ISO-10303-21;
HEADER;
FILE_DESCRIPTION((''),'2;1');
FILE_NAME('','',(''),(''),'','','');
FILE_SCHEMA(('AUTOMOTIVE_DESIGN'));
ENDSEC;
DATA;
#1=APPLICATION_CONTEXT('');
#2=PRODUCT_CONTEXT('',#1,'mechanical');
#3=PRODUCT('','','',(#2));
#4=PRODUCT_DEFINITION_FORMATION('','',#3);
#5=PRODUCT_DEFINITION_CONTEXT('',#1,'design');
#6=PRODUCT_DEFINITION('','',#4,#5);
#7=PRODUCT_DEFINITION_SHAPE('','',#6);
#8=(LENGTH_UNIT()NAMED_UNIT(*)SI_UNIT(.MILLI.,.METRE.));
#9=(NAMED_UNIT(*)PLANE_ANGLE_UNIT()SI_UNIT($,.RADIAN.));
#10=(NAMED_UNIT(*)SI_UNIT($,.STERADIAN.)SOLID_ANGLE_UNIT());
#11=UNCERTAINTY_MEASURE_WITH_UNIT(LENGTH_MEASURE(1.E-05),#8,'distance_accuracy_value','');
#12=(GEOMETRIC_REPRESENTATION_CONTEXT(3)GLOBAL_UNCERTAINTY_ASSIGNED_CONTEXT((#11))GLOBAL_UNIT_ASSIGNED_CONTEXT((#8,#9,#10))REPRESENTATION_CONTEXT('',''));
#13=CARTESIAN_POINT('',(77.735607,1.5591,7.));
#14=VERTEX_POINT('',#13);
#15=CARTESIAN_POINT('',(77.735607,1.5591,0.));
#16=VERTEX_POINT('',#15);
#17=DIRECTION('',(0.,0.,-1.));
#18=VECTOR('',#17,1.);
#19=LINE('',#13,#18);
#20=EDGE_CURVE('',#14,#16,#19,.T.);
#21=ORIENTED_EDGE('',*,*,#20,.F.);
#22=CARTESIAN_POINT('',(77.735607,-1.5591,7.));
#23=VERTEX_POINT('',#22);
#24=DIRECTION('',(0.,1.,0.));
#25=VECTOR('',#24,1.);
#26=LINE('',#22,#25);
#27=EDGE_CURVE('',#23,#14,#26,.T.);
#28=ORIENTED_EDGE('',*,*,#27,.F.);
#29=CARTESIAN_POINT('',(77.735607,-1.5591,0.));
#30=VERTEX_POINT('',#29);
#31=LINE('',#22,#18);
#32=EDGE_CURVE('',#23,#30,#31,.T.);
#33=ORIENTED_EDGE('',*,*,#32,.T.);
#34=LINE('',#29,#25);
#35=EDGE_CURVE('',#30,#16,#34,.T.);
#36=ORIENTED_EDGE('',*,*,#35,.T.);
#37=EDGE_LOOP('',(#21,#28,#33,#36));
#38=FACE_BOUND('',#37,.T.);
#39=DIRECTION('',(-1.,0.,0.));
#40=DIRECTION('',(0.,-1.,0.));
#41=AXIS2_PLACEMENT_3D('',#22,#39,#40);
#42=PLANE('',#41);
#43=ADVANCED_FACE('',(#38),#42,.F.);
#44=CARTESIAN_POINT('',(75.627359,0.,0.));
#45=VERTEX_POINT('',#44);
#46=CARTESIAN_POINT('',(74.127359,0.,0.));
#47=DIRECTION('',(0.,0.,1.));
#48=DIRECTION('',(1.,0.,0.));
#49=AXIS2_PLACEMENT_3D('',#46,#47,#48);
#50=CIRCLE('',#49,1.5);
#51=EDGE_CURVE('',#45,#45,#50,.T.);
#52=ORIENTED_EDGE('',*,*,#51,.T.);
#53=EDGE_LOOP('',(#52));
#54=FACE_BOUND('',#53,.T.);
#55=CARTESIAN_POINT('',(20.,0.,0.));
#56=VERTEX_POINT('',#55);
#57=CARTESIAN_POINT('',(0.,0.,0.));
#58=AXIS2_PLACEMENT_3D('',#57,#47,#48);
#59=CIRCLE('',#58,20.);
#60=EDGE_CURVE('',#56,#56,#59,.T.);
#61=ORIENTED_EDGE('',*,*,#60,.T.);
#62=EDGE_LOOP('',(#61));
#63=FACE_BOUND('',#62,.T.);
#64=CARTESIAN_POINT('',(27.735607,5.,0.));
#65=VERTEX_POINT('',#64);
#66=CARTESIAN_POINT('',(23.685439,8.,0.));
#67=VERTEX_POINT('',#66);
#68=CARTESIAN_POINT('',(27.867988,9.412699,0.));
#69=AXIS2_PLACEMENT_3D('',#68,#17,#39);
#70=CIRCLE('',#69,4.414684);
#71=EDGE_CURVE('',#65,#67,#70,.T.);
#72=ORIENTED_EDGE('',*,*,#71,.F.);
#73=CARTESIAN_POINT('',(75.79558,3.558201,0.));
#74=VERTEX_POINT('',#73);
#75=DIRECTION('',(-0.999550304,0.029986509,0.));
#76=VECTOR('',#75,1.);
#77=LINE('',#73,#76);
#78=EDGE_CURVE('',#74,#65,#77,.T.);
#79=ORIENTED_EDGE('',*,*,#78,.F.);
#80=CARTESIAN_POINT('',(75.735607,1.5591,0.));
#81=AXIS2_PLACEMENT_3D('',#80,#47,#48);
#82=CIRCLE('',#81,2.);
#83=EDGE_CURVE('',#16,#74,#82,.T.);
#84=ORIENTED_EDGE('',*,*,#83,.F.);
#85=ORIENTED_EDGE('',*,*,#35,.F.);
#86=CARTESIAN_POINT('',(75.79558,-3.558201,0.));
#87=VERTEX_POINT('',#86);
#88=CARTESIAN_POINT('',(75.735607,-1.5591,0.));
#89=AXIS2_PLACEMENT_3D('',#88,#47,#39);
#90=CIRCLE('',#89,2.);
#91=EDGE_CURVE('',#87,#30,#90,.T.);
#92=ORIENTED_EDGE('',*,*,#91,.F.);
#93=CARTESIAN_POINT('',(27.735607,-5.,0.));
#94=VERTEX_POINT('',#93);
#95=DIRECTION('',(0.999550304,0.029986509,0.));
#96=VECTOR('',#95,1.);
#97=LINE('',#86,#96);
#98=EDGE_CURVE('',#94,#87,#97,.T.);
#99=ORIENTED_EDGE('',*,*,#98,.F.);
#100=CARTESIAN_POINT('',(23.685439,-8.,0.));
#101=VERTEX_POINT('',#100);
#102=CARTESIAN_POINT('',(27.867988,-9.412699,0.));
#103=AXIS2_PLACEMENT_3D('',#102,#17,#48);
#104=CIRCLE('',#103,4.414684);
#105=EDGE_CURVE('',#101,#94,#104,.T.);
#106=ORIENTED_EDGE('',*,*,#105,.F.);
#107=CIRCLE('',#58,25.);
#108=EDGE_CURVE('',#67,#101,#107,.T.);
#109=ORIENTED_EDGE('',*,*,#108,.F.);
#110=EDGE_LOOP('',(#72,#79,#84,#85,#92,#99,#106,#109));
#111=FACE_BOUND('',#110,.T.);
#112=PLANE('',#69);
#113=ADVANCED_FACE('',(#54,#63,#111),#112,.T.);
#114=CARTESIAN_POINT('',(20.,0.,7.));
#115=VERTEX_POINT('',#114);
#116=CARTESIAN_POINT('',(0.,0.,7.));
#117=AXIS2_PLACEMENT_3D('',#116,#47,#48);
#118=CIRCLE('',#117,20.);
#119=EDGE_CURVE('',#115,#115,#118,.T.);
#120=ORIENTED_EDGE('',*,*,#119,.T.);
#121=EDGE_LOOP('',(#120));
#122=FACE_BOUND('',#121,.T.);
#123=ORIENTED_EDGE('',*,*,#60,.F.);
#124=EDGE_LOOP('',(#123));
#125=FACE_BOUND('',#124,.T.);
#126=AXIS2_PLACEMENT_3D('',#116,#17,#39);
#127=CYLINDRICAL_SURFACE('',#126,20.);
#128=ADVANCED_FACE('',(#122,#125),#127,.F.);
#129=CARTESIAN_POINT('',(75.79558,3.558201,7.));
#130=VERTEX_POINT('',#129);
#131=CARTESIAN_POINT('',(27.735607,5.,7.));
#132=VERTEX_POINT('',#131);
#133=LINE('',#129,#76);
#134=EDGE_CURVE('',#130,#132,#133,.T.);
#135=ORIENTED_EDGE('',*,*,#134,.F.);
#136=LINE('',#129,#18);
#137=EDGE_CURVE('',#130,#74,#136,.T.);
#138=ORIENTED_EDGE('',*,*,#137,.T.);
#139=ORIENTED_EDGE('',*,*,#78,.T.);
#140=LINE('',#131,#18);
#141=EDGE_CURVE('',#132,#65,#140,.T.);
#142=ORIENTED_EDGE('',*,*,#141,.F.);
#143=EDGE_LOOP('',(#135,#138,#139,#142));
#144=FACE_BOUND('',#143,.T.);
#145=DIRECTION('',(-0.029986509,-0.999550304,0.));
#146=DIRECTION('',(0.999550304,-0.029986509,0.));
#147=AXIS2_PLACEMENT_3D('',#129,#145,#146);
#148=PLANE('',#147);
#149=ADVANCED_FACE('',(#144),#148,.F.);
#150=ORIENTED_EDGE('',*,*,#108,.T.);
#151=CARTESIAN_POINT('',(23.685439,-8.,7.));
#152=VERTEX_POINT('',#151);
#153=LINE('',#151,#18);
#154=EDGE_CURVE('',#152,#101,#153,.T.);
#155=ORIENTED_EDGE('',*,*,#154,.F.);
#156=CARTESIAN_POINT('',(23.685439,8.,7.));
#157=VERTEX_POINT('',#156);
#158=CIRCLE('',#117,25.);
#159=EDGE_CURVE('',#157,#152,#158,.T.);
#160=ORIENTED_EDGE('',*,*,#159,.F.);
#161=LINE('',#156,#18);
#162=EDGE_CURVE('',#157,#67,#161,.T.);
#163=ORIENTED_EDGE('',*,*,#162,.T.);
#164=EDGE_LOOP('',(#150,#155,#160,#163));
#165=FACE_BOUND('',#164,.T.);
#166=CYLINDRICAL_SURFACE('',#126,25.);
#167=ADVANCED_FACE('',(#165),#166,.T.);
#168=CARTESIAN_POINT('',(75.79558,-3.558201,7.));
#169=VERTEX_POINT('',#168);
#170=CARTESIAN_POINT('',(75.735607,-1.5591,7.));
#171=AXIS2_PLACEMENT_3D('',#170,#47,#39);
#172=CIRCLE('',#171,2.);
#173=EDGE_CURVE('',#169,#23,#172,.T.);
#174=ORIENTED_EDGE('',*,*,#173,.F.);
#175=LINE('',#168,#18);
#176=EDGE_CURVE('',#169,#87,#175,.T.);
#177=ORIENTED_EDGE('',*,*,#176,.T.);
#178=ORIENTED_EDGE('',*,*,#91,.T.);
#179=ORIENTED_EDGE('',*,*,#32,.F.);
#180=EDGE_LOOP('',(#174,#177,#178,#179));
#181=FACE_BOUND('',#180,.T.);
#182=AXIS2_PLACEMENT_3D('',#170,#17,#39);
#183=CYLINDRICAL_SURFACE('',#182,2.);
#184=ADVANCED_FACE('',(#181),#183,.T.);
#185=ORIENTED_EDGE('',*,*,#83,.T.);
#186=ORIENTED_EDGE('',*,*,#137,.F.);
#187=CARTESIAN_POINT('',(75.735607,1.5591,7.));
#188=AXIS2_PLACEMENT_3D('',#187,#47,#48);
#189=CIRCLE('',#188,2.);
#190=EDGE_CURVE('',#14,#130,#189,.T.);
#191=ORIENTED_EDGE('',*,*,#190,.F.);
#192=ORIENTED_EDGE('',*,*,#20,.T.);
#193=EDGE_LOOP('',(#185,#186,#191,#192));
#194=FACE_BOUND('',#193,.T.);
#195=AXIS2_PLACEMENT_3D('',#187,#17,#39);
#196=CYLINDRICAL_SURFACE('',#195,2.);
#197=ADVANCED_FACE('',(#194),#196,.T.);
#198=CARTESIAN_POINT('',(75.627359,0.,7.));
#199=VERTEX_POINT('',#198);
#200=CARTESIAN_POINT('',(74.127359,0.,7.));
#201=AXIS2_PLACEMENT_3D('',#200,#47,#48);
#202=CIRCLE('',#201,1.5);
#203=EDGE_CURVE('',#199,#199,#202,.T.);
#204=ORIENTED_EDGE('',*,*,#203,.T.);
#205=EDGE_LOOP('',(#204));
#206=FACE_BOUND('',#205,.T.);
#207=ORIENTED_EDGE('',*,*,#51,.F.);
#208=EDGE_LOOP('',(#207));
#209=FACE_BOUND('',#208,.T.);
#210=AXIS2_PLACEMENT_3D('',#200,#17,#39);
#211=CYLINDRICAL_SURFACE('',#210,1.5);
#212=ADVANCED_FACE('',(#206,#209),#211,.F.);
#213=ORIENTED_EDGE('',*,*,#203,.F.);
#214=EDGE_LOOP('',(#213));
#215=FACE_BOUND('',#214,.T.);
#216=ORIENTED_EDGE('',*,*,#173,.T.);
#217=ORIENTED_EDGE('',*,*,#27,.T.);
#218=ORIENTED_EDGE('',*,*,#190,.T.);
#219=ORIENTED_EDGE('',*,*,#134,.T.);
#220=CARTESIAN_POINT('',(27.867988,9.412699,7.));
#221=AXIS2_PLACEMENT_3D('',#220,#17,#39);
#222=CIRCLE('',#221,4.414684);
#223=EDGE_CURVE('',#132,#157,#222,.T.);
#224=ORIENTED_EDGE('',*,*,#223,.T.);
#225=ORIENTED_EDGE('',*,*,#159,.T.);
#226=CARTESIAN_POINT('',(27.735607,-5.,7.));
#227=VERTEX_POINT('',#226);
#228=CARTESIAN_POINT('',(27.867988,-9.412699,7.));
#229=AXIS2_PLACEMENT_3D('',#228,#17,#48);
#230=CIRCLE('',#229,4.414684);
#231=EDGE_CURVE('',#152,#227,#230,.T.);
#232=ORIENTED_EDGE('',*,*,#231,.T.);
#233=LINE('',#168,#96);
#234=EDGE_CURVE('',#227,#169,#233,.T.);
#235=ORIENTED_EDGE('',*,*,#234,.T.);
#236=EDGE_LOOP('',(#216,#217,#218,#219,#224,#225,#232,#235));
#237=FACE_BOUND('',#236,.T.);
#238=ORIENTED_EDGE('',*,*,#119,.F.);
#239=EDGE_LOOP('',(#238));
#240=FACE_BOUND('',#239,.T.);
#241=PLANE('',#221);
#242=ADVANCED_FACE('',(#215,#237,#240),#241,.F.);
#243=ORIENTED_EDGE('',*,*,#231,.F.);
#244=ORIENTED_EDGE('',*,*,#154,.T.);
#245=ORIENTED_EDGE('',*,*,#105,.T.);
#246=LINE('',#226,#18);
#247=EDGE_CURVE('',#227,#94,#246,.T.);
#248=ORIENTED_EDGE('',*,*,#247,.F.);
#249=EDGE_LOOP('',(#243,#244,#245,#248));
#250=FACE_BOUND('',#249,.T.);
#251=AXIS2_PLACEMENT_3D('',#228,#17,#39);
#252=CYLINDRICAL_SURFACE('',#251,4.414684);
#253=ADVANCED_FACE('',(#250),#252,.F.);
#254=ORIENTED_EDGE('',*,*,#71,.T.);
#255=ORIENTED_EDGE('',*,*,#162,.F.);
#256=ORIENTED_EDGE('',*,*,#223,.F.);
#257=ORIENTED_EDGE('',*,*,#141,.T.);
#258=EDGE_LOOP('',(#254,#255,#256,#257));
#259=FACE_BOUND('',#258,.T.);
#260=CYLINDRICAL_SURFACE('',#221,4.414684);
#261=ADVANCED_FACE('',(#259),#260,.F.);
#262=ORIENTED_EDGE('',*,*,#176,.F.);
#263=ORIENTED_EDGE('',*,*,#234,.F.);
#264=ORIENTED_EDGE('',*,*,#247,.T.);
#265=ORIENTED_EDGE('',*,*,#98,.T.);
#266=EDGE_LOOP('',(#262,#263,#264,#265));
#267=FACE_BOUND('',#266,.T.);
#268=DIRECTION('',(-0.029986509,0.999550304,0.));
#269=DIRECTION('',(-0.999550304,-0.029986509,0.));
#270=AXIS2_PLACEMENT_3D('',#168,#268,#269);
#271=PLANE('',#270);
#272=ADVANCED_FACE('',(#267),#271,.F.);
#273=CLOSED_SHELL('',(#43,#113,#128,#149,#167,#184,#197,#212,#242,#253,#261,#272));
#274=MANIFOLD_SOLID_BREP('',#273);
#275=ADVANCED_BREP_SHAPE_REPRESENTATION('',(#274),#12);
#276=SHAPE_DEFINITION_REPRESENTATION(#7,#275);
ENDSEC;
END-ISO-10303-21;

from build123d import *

# Parameters (mm, degrees)
SKETCH1_R           = 20
SKETCH1_R_2         = 1.5
BOSS_EXTRUDE1_DEPTH = 7


with BuildPart() as part:
    # Sketch1 → Boss-Extrude1 (new body)
    with BuildSketch(Plane.XY):
        with BuildLine():
            Line((77.735606869, -1.559100202), (77.735606869, 1.559100202))
            ThreePointArc((77.735606869, 1.559100202), (77.170867479, 2.951948716), (75.795579887, 3.558200809))
            Line((75.795579887, 3.558200809), (27.735606869, 5))
            ThreePointArc((27.735606869, 5), (25.240316673, 5.865195462), (23.685438565, 8))
            ThreePointArc((23.685438565, 8), (-25, 0), (23.685438565, -8))
            ThreePointArc((23.685438565, -8), (25.240316673, -5.865195462), (27.735606869, -5))
            Line((27.735606869, -5), (75.795579887, -3.558200809))
            ThreePointArc((75.795579887, -3.558200809), (77.170867479, -2.951948716), (77.735606869, -1.559100202))
        make_face()
        Circle(SKETCH1_R, mode=Mode.SUBTRACT)
        with Locations((74.127359446, 0)):
            Circle(SKETCH1_R_2, mode=Mode.SUBTRACT)
    extrude(amount=BOSS_EXTRUDE1_DEPTH)


solid = part.part
